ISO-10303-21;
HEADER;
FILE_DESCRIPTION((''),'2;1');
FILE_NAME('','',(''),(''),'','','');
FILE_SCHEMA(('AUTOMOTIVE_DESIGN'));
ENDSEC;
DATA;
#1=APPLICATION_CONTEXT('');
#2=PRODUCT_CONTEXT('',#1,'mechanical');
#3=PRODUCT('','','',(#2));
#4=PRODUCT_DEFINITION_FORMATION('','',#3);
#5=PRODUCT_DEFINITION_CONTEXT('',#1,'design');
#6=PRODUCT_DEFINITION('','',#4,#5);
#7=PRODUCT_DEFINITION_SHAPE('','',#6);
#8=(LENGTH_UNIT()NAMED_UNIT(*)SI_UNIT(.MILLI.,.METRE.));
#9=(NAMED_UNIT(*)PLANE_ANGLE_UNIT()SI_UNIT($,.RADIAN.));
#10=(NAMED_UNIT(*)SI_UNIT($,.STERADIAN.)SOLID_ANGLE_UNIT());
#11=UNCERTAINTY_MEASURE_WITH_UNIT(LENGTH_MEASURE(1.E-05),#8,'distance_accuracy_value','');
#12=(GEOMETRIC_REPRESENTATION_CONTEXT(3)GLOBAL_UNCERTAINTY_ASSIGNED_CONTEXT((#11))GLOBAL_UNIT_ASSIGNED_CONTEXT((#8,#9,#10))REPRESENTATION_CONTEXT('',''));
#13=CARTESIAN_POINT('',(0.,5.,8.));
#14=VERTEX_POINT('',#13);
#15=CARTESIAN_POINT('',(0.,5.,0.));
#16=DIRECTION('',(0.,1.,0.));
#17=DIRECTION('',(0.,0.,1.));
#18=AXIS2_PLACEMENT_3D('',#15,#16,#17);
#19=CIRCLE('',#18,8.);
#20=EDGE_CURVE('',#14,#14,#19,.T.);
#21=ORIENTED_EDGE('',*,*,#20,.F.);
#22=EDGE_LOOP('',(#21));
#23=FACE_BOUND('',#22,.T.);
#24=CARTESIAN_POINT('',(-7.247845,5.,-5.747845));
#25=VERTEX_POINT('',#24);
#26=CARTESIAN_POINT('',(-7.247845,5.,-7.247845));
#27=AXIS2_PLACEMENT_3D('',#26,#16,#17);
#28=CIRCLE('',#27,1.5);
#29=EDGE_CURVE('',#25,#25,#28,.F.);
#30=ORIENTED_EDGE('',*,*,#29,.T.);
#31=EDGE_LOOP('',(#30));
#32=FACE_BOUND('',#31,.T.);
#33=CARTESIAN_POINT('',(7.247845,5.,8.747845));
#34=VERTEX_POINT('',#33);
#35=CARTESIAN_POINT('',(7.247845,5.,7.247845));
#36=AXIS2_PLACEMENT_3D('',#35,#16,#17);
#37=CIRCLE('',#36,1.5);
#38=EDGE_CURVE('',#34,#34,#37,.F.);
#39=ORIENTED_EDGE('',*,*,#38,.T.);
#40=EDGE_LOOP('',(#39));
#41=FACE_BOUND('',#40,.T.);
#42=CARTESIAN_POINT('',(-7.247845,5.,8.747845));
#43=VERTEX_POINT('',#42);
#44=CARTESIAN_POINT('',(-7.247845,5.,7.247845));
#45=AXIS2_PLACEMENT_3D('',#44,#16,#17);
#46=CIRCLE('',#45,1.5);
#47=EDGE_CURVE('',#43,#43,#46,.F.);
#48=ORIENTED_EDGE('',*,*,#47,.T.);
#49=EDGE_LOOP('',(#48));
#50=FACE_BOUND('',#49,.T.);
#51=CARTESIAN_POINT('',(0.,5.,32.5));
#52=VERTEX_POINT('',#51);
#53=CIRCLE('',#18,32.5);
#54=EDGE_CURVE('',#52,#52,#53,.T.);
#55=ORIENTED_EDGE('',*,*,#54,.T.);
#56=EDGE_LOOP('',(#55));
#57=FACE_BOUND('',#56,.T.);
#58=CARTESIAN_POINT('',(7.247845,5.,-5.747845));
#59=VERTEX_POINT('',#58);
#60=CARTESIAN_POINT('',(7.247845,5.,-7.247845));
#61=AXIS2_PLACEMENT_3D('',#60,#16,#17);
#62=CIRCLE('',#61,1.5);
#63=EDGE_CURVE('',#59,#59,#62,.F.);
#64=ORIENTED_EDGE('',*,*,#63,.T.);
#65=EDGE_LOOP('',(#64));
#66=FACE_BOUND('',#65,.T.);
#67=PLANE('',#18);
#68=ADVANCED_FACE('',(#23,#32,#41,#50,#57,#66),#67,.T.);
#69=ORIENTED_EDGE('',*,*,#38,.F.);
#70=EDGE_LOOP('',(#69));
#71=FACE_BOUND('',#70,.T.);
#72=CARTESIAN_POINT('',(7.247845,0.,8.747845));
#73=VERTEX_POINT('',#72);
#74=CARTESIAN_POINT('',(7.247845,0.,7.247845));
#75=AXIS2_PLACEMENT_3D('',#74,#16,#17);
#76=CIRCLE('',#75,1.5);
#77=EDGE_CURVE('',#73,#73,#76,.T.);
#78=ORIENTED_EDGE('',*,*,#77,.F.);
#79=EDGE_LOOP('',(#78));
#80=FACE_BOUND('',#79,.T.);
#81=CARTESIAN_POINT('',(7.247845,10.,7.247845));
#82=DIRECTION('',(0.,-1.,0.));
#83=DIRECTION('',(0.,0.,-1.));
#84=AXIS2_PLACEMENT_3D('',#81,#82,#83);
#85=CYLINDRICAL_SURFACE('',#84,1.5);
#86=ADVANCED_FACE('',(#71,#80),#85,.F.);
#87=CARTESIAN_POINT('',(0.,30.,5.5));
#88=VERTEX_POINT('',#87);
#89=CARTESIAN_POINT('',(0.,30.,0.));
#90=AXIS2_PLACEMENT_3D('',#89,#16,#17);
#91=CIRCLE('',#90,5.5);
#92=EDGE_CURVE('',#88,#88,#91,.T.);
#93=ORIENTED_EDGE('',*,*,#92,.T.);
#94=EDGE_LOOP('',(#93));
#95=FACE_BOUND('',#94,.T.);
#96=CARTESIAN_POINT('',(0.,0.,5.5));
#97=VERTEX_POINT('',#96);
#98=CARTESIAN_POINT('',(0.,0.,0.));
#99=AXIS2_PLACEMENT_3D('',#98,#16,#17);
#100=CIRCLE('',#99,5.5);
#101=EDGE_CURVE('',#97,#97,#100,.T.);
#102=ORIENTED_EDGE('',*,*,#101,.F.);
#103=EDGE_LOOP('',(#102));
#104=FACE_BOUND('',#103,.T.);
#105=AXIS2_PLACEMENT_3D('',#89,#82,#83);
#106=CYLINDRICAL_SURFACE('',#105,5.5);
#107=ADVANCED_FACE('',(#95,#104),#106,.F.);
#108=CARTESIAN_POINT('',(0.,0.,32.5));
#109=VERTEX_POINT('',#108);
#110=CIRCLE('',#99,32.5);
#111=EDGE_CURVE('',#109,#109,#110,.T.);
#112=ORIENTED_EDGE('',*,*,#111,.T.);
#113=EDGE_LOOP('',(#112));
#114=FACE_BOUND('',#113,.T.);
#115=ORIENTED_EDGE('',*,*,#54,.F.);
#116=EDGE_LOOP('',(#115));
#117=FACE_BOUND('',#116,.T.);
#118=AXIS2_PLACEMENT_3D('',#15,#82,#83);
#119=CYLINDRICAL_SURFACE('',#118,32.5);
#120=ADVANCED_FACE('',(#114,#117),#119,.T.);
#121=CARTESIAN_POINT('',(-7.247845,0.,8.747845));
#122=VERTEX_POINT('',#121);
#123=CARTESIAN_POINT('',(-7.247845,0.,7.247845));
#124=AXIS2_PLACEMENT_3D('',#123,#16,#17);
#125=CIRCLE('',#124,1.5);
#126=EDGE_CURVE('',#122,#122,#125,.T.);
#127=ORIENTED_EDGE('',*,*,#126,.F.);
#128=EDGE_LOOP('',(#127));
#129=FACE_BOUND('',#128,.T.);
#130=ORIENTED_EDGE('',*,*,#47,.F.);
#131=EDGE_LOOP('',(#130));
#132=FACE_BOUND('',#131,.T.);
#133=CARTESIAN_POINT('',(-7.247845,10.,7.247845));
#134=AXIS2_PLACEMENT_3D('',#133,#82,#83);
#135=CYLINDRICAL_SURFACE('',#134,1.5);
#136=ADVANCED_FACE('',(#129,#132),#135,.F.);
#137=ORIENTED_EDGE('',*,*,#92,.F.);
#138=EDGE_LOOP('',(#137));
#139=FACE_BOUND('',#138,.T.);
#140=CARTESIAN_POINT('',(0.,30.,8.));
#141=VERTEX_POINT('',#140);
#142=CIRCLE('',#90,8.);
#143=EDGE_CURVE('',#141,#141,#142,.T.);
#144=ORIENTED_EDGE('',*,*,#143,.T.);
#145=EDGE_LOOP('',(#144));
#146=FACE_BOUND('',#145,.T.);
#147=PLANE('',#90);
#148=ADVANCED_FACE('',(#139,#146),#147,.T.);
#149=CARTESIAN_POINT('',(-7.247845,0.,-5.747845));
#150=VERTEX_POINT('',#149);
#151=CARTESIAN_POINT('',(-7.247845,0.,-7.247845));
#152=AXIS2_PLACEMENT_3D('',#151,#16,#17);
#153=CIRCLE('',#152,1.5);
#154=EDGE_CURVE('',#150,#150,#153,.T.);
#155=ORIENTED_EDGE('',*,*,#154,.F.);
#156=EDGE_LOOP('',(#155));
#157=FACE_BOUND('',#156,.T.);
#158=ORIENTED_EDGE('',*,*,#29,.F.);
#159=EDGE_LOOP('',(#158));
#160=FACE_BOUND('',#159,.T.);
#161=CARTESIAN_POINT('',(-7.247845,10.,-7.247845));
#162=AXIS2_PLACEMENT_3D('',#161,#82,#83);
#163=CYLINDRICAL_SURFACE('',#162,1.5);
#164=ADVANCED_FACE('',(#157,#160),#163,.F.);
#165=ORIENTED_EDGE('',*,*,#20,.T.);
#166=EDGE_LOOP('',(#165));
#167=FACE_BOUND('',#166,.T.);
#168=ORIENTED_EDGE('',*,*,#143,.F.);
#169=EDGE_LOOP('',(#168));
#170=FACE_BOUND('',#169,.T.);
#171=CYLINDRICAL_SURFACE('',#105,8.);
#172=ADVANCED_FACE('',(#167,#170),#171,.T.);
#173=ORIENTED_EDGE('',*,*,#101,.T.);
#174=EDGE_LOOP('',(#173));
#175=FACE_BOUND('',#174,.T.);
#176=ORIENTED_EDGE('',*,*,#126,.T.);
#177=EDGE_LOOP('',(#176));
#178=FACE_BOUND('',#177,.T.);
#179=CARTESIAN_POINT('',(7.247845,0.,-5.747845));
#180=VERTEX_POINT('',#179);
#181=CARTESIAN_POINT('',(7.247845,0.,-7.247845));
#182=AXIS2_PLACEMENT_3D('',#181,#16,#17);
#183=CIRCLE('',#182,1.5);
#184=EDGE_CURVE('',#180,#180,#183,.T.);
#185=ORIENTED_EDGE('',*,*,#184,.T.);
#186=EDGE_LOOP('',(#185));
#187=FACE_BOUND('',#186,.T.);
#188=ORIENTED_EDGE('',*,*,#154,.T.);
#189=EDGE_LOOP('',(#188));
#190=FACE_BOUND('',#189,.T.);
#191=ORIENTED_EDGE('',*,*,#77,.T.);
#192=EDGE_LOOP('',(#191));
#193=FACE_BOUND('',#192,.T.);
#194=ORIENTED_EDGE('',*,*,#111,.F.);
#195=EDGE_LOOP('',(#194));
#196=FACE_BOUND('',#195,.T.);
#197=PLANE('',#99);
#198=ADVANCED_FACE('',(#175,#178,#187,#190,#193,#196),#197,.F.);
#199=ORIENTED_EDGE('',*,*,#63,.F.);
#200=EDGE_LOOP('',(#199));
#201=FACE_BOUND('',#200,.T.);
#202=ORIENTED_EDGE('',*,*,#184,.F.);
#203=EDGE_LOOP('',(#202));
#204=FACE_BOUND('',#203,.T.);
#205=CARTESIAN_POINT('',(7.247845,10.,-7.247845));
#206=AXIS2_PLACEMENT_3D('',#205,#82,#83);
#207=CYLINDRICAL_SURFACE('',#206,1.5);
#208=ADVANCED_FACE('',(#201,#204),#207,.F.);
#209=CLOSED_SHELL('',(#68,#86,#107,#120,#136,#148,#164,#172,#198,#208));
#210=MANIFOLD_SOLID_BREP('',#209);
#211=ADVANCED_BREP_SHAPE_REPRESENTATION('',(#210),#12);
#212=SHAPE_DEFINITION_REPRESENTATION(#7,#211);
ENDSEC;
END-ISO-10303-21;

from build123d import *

# Parameters (mm, degrees)
SKETCH1_R           = 32.5
SKETCH1_R_2         = 17.5
SKETCH1_R_3         = 12.5
SKETCH1_R_4         = 8
BOSS_EXTRUDE1_DEPTH = 5
SKETCH2_R           = 1.5
CUT_EXTRUDE1_DEPTH  = 10
SKETCH3_R           = 8
SKETCH3_R_2         = 5.5
BOSS_EXTRUDE3_DEPTH = 30


with BuildPart() as part:
    # Sketch1 → Boss-Extrude1 (new body)
    with BuildSketch(Plane(origin=(0, 0, 0), x_dir=(1, 0, 0), z_dir=(0, 1, 0))):
        Circle(SKETCH1_R)
        Circle(SKETCH1_R_2, mode=Mode.SUBTRACT)
        Circle(SKETCH1_R_2)
        Circle(SKETCH1_R_3, mode=Mode.SUBTRACT)
        Circle(SKETCH1_R_3)
        Circle(SKETCH1_R_4, mode=Mode.SUBTRACT)
    extrude(amount=BOSS_EXTRUDE1_DEPTH)

    # Sketch2 → Cut-Extrude1 (cut)
    with BuildSketch(Plane(origin=(0, 0, 0), x_dir=(1, 0, 0), z_dir=(0, 1, 0))):
        with Locations((-7.247844507, 7.247844507)):
            Circle(SKETCH2_R)
        with Locations((7.247844507, 7.247844507)):
            Circle(SKETCH2_R)
        with Locations((7.247844507, -7.247844507)):
            Circle(SKETCH2_R)
        with Locations((-7.247844507, -7.247844507)):
            Circle(SKETCH2_R)
    extrude(amount=CUT_EXTRUDE1_DEPTH, mode=Mode.SUBTRACT)

    # Sketch3 → Boss-Extrude3 (add)
    with BuildSketch(Plane(origin=(0, 0, 0), x_dir=(1, 0, 0), z_dir=(0, 1, 0))):
        Circle(SKETCH3_R)
        Circle(SKETCH3_R_2, mode=Mode.SUBTRACT)
    extrude(amount=BOSS_EXTRUDE3_DEPTH)


solid = part.part
